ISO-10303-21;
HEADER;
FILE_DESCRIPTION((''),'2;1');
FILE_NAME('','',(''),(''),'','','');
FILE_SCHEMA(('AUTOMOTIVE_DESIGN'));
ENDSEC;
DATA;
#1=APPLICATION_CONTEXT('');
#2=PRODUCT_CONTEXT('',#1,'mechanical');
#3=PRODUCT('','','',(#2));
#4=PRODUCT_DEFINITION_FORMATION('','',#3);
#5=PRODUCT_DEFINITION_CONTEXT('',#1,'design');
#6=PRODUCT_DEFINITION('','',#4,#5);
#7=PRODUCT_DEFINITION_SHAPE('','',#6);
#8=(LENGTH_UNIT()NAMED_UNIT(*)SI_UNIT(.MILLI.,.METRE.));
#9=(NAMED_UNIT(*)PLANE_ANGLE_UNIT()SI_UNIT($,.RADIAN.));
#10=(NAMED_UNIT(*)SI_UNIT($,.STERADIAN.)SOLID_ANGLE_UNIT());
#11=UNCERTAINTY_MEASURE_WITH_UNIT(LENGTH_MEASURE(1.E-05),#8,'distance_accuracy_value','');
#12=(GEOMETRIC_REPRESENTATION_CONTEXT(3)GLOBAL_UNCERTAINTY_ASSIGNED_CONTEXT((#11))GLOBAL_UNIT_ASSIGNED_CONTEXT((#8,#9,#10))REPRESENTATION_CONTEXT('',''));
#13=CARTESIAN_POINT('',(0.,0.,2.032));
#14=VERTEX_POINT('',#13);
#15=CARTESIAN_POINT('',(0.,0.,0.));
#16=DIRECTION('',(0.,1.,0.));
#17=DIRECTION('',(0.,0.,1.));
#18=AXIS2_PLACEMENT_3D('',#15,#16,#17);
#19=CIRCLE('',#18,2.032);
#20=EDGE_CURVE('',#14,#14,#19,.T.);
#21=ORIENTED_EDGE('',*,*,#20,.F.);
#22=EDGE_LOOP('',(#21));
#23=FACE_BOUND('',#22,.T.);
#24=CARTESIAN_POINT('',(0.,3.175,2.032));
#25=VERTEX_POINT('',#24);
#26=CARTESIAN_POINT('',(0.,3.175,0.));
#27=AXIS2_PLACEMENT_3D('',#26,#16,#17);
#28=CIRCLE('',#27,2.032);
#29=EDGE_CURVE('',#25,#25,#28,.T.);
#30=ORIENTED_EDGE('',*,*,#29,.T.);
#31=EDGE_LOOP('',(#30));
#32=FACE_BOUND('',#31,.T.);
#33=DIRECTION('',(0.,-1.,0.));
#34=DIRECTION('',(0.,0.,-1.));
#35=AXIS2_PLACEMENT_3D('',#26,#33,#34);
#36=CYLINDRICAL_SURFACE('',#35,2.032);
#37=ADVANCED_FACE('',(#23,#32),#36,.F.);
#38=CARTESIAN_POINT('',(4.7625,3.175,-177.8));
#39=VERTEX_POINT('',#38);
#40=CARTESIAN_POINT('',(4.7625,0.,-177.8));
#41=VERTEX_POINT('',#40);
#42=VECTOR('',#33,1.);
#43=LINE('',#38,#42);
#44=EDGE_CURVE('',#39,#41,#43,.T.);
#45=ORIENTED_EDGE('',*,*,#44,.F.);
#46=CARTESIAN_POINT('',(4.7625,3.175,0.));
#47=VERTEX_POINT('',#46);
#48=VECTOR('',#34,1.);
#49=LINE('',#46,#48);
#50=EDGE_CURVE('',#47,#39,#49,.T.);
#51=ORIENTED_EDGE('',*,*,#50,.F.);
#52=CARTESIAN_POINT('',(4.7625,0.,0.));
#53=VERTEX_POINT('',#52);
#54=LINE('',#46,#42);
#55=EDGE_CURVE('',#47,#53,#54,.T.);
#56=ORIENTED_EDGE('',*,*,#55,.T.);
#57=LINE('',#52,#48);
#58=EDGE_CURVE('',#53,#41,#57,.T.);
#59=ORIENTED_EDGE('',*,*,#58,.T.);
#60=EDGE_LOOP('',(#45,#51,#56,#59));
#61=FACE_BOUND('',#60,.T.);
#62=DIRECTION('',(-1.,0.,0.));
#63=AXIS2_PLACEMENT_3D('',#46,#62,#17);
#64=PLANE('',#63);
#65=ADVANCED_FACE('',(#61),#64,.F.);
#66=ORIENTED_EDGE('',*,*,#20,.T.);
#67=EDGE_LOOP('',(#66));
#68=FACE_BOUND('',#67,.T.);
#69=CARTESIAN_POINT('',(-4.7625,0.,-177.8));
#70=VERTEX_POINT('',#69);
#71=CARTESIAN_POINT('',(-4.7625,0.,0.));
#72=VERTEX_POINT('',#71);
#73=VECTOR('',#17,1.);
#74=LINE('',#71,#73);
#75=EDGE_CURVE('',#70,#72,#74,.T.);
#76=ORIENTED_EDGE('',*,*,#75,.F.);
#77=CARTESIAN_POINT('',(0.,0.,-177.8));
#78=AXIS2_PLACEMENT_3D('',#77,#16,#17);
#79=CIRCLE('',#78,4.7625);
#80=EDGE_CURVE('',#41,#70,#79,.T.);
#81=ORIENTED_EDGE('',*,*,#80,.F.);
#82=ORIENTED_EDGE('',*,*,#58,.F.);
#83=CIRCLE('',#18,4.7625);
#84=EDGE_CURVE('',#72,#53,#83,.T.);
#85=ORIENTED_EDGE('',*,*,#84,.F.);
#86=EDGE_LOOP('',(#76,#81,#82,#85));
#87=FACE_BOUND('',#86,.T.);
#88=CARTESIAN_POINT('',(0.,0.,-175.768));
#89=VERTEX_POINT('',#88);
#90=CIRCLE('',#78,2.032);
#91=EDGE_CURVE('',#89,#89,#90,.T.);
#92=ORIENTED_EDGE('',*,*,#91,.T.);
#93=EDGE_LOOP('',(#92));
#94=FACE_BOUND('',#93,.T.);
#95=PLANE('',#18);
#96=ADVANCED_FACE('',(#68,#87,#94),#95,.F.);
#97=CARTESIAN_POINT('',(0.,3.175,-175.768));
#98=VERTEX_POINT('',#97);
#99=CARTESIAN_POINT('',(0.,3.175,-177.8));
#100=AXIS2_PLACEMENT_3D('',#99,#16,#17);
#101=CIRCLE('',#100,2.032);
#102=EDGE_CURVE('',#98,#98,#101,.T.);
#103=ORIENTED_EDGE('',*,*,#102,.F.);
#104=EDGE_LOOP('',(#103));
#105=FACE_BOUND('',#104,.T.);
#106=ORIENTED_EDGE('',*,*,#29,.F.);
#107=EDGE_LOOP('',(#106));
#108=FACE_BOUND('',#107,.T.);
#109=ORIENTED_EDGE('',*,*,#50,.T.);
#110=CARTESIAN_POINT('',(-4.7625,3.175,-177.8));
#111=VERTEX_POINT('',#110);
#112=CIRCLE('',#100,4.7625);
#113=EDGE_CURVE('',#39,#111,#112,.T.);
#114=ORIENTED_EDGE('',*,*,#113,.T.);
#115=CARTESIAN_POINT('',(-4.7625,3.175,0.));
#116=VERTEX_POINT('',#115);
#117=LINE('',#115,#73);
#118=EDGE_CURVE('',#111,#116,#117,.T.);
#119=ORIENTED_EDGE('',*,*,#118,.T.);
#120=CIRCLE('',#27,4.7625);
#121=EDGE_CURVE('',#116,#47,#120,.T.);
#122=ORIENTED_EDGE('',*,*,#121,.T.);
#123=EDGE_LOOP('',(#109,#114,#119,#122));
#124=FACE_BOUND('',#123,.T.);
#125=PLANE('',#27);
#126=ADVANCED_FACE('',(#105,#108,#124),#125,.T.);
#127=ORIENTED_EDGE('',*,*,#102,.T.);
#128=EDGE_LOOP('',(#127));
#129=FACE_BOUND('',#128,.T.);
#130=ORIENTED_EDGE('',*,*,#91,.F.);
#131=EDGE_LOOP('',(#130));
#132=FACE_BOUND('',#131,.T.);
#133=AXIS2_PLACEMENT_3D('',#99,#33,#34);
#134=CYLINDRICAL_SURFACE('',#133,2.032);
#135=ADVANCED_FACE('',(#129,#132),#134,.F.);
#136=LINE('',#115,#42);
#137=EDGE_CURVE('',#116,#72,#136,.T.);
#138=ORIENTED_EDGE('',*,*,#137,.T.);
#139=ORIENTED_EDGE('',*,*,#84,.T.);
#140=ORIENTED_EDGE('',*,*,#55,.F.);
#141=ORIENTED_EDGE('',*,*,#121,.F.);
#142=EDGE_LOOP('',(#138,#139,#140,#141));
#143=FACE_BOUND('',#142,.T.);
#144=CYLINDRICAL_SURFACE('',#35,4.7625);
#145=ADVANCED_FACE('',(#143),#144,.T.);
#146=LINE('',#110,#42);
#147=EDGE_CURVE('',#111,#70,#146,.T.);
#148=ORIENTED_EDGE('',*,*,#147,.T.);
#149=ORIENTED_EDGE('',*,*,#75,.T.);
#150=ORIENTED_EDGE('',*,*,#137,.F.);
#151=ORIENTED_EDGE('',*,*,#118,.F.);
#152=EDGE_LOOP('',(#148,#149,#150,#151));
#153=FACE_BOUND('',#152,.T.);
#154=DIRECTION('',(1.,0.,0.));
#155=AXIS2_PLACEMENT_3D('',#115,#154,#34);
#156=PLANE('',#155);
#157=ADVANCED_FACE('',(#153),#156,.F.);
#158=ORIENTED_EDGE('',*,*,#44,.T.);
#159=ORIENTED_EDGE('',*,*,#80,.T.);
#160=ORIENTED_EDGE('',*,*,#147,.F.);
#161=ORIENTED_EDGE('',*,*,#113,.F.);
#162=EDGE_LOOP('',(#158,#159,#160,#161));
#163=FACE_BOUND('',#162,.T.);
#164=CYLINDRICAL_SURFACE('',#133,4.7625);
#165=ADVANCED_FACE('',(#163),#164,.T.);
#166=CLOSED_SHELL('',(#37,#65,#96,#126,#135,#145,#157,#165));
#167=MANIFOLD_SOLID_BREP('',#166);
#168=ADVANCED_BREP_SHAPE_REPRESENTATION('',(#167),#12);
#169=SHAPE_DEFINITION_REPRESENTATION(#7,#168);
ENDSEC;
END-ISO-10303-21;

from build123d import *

# Parameters (mm, degrees)
SKETCH1_R           = 2.032
BOSS_EXTRUDE1_DEPTH = 3.175


with BuildPart() as part:
    # Sketch1 → Boss-Extrude1 (new body)
    with BuildSketch(Plane(origin=(0, 0, 0), x_dir=(1, 0, 0), z_dir=(0, 1, 0))):
        with BuildLine():
            Line((-4.7625, 0), (-4.7625, 177.8))
            ThreePointArc((-4.7625, 177.8), (0, 182.5625), (4.7625, 177.8))
            Line((4.7625, 177.8), (4.7625, 0))
            ThreePointArc((4.7625, 0), (0, -4.7625), (-4.7625, 0))
        make_face()
        with Locations(Location((0, 177.8, 0), (0, 0, 270))):
            Circle(SKETCH1_R, mode=Mode.SUBTRACT)
        with Locations(Location((0, 0, 0), (0, 0, 270))):
            Circle(SKETCH1_R, mode=Mode.SUBTRACT)
    extrude(amount=BOSS_EXTRUDE1_DEPTH)


solid = part.part
